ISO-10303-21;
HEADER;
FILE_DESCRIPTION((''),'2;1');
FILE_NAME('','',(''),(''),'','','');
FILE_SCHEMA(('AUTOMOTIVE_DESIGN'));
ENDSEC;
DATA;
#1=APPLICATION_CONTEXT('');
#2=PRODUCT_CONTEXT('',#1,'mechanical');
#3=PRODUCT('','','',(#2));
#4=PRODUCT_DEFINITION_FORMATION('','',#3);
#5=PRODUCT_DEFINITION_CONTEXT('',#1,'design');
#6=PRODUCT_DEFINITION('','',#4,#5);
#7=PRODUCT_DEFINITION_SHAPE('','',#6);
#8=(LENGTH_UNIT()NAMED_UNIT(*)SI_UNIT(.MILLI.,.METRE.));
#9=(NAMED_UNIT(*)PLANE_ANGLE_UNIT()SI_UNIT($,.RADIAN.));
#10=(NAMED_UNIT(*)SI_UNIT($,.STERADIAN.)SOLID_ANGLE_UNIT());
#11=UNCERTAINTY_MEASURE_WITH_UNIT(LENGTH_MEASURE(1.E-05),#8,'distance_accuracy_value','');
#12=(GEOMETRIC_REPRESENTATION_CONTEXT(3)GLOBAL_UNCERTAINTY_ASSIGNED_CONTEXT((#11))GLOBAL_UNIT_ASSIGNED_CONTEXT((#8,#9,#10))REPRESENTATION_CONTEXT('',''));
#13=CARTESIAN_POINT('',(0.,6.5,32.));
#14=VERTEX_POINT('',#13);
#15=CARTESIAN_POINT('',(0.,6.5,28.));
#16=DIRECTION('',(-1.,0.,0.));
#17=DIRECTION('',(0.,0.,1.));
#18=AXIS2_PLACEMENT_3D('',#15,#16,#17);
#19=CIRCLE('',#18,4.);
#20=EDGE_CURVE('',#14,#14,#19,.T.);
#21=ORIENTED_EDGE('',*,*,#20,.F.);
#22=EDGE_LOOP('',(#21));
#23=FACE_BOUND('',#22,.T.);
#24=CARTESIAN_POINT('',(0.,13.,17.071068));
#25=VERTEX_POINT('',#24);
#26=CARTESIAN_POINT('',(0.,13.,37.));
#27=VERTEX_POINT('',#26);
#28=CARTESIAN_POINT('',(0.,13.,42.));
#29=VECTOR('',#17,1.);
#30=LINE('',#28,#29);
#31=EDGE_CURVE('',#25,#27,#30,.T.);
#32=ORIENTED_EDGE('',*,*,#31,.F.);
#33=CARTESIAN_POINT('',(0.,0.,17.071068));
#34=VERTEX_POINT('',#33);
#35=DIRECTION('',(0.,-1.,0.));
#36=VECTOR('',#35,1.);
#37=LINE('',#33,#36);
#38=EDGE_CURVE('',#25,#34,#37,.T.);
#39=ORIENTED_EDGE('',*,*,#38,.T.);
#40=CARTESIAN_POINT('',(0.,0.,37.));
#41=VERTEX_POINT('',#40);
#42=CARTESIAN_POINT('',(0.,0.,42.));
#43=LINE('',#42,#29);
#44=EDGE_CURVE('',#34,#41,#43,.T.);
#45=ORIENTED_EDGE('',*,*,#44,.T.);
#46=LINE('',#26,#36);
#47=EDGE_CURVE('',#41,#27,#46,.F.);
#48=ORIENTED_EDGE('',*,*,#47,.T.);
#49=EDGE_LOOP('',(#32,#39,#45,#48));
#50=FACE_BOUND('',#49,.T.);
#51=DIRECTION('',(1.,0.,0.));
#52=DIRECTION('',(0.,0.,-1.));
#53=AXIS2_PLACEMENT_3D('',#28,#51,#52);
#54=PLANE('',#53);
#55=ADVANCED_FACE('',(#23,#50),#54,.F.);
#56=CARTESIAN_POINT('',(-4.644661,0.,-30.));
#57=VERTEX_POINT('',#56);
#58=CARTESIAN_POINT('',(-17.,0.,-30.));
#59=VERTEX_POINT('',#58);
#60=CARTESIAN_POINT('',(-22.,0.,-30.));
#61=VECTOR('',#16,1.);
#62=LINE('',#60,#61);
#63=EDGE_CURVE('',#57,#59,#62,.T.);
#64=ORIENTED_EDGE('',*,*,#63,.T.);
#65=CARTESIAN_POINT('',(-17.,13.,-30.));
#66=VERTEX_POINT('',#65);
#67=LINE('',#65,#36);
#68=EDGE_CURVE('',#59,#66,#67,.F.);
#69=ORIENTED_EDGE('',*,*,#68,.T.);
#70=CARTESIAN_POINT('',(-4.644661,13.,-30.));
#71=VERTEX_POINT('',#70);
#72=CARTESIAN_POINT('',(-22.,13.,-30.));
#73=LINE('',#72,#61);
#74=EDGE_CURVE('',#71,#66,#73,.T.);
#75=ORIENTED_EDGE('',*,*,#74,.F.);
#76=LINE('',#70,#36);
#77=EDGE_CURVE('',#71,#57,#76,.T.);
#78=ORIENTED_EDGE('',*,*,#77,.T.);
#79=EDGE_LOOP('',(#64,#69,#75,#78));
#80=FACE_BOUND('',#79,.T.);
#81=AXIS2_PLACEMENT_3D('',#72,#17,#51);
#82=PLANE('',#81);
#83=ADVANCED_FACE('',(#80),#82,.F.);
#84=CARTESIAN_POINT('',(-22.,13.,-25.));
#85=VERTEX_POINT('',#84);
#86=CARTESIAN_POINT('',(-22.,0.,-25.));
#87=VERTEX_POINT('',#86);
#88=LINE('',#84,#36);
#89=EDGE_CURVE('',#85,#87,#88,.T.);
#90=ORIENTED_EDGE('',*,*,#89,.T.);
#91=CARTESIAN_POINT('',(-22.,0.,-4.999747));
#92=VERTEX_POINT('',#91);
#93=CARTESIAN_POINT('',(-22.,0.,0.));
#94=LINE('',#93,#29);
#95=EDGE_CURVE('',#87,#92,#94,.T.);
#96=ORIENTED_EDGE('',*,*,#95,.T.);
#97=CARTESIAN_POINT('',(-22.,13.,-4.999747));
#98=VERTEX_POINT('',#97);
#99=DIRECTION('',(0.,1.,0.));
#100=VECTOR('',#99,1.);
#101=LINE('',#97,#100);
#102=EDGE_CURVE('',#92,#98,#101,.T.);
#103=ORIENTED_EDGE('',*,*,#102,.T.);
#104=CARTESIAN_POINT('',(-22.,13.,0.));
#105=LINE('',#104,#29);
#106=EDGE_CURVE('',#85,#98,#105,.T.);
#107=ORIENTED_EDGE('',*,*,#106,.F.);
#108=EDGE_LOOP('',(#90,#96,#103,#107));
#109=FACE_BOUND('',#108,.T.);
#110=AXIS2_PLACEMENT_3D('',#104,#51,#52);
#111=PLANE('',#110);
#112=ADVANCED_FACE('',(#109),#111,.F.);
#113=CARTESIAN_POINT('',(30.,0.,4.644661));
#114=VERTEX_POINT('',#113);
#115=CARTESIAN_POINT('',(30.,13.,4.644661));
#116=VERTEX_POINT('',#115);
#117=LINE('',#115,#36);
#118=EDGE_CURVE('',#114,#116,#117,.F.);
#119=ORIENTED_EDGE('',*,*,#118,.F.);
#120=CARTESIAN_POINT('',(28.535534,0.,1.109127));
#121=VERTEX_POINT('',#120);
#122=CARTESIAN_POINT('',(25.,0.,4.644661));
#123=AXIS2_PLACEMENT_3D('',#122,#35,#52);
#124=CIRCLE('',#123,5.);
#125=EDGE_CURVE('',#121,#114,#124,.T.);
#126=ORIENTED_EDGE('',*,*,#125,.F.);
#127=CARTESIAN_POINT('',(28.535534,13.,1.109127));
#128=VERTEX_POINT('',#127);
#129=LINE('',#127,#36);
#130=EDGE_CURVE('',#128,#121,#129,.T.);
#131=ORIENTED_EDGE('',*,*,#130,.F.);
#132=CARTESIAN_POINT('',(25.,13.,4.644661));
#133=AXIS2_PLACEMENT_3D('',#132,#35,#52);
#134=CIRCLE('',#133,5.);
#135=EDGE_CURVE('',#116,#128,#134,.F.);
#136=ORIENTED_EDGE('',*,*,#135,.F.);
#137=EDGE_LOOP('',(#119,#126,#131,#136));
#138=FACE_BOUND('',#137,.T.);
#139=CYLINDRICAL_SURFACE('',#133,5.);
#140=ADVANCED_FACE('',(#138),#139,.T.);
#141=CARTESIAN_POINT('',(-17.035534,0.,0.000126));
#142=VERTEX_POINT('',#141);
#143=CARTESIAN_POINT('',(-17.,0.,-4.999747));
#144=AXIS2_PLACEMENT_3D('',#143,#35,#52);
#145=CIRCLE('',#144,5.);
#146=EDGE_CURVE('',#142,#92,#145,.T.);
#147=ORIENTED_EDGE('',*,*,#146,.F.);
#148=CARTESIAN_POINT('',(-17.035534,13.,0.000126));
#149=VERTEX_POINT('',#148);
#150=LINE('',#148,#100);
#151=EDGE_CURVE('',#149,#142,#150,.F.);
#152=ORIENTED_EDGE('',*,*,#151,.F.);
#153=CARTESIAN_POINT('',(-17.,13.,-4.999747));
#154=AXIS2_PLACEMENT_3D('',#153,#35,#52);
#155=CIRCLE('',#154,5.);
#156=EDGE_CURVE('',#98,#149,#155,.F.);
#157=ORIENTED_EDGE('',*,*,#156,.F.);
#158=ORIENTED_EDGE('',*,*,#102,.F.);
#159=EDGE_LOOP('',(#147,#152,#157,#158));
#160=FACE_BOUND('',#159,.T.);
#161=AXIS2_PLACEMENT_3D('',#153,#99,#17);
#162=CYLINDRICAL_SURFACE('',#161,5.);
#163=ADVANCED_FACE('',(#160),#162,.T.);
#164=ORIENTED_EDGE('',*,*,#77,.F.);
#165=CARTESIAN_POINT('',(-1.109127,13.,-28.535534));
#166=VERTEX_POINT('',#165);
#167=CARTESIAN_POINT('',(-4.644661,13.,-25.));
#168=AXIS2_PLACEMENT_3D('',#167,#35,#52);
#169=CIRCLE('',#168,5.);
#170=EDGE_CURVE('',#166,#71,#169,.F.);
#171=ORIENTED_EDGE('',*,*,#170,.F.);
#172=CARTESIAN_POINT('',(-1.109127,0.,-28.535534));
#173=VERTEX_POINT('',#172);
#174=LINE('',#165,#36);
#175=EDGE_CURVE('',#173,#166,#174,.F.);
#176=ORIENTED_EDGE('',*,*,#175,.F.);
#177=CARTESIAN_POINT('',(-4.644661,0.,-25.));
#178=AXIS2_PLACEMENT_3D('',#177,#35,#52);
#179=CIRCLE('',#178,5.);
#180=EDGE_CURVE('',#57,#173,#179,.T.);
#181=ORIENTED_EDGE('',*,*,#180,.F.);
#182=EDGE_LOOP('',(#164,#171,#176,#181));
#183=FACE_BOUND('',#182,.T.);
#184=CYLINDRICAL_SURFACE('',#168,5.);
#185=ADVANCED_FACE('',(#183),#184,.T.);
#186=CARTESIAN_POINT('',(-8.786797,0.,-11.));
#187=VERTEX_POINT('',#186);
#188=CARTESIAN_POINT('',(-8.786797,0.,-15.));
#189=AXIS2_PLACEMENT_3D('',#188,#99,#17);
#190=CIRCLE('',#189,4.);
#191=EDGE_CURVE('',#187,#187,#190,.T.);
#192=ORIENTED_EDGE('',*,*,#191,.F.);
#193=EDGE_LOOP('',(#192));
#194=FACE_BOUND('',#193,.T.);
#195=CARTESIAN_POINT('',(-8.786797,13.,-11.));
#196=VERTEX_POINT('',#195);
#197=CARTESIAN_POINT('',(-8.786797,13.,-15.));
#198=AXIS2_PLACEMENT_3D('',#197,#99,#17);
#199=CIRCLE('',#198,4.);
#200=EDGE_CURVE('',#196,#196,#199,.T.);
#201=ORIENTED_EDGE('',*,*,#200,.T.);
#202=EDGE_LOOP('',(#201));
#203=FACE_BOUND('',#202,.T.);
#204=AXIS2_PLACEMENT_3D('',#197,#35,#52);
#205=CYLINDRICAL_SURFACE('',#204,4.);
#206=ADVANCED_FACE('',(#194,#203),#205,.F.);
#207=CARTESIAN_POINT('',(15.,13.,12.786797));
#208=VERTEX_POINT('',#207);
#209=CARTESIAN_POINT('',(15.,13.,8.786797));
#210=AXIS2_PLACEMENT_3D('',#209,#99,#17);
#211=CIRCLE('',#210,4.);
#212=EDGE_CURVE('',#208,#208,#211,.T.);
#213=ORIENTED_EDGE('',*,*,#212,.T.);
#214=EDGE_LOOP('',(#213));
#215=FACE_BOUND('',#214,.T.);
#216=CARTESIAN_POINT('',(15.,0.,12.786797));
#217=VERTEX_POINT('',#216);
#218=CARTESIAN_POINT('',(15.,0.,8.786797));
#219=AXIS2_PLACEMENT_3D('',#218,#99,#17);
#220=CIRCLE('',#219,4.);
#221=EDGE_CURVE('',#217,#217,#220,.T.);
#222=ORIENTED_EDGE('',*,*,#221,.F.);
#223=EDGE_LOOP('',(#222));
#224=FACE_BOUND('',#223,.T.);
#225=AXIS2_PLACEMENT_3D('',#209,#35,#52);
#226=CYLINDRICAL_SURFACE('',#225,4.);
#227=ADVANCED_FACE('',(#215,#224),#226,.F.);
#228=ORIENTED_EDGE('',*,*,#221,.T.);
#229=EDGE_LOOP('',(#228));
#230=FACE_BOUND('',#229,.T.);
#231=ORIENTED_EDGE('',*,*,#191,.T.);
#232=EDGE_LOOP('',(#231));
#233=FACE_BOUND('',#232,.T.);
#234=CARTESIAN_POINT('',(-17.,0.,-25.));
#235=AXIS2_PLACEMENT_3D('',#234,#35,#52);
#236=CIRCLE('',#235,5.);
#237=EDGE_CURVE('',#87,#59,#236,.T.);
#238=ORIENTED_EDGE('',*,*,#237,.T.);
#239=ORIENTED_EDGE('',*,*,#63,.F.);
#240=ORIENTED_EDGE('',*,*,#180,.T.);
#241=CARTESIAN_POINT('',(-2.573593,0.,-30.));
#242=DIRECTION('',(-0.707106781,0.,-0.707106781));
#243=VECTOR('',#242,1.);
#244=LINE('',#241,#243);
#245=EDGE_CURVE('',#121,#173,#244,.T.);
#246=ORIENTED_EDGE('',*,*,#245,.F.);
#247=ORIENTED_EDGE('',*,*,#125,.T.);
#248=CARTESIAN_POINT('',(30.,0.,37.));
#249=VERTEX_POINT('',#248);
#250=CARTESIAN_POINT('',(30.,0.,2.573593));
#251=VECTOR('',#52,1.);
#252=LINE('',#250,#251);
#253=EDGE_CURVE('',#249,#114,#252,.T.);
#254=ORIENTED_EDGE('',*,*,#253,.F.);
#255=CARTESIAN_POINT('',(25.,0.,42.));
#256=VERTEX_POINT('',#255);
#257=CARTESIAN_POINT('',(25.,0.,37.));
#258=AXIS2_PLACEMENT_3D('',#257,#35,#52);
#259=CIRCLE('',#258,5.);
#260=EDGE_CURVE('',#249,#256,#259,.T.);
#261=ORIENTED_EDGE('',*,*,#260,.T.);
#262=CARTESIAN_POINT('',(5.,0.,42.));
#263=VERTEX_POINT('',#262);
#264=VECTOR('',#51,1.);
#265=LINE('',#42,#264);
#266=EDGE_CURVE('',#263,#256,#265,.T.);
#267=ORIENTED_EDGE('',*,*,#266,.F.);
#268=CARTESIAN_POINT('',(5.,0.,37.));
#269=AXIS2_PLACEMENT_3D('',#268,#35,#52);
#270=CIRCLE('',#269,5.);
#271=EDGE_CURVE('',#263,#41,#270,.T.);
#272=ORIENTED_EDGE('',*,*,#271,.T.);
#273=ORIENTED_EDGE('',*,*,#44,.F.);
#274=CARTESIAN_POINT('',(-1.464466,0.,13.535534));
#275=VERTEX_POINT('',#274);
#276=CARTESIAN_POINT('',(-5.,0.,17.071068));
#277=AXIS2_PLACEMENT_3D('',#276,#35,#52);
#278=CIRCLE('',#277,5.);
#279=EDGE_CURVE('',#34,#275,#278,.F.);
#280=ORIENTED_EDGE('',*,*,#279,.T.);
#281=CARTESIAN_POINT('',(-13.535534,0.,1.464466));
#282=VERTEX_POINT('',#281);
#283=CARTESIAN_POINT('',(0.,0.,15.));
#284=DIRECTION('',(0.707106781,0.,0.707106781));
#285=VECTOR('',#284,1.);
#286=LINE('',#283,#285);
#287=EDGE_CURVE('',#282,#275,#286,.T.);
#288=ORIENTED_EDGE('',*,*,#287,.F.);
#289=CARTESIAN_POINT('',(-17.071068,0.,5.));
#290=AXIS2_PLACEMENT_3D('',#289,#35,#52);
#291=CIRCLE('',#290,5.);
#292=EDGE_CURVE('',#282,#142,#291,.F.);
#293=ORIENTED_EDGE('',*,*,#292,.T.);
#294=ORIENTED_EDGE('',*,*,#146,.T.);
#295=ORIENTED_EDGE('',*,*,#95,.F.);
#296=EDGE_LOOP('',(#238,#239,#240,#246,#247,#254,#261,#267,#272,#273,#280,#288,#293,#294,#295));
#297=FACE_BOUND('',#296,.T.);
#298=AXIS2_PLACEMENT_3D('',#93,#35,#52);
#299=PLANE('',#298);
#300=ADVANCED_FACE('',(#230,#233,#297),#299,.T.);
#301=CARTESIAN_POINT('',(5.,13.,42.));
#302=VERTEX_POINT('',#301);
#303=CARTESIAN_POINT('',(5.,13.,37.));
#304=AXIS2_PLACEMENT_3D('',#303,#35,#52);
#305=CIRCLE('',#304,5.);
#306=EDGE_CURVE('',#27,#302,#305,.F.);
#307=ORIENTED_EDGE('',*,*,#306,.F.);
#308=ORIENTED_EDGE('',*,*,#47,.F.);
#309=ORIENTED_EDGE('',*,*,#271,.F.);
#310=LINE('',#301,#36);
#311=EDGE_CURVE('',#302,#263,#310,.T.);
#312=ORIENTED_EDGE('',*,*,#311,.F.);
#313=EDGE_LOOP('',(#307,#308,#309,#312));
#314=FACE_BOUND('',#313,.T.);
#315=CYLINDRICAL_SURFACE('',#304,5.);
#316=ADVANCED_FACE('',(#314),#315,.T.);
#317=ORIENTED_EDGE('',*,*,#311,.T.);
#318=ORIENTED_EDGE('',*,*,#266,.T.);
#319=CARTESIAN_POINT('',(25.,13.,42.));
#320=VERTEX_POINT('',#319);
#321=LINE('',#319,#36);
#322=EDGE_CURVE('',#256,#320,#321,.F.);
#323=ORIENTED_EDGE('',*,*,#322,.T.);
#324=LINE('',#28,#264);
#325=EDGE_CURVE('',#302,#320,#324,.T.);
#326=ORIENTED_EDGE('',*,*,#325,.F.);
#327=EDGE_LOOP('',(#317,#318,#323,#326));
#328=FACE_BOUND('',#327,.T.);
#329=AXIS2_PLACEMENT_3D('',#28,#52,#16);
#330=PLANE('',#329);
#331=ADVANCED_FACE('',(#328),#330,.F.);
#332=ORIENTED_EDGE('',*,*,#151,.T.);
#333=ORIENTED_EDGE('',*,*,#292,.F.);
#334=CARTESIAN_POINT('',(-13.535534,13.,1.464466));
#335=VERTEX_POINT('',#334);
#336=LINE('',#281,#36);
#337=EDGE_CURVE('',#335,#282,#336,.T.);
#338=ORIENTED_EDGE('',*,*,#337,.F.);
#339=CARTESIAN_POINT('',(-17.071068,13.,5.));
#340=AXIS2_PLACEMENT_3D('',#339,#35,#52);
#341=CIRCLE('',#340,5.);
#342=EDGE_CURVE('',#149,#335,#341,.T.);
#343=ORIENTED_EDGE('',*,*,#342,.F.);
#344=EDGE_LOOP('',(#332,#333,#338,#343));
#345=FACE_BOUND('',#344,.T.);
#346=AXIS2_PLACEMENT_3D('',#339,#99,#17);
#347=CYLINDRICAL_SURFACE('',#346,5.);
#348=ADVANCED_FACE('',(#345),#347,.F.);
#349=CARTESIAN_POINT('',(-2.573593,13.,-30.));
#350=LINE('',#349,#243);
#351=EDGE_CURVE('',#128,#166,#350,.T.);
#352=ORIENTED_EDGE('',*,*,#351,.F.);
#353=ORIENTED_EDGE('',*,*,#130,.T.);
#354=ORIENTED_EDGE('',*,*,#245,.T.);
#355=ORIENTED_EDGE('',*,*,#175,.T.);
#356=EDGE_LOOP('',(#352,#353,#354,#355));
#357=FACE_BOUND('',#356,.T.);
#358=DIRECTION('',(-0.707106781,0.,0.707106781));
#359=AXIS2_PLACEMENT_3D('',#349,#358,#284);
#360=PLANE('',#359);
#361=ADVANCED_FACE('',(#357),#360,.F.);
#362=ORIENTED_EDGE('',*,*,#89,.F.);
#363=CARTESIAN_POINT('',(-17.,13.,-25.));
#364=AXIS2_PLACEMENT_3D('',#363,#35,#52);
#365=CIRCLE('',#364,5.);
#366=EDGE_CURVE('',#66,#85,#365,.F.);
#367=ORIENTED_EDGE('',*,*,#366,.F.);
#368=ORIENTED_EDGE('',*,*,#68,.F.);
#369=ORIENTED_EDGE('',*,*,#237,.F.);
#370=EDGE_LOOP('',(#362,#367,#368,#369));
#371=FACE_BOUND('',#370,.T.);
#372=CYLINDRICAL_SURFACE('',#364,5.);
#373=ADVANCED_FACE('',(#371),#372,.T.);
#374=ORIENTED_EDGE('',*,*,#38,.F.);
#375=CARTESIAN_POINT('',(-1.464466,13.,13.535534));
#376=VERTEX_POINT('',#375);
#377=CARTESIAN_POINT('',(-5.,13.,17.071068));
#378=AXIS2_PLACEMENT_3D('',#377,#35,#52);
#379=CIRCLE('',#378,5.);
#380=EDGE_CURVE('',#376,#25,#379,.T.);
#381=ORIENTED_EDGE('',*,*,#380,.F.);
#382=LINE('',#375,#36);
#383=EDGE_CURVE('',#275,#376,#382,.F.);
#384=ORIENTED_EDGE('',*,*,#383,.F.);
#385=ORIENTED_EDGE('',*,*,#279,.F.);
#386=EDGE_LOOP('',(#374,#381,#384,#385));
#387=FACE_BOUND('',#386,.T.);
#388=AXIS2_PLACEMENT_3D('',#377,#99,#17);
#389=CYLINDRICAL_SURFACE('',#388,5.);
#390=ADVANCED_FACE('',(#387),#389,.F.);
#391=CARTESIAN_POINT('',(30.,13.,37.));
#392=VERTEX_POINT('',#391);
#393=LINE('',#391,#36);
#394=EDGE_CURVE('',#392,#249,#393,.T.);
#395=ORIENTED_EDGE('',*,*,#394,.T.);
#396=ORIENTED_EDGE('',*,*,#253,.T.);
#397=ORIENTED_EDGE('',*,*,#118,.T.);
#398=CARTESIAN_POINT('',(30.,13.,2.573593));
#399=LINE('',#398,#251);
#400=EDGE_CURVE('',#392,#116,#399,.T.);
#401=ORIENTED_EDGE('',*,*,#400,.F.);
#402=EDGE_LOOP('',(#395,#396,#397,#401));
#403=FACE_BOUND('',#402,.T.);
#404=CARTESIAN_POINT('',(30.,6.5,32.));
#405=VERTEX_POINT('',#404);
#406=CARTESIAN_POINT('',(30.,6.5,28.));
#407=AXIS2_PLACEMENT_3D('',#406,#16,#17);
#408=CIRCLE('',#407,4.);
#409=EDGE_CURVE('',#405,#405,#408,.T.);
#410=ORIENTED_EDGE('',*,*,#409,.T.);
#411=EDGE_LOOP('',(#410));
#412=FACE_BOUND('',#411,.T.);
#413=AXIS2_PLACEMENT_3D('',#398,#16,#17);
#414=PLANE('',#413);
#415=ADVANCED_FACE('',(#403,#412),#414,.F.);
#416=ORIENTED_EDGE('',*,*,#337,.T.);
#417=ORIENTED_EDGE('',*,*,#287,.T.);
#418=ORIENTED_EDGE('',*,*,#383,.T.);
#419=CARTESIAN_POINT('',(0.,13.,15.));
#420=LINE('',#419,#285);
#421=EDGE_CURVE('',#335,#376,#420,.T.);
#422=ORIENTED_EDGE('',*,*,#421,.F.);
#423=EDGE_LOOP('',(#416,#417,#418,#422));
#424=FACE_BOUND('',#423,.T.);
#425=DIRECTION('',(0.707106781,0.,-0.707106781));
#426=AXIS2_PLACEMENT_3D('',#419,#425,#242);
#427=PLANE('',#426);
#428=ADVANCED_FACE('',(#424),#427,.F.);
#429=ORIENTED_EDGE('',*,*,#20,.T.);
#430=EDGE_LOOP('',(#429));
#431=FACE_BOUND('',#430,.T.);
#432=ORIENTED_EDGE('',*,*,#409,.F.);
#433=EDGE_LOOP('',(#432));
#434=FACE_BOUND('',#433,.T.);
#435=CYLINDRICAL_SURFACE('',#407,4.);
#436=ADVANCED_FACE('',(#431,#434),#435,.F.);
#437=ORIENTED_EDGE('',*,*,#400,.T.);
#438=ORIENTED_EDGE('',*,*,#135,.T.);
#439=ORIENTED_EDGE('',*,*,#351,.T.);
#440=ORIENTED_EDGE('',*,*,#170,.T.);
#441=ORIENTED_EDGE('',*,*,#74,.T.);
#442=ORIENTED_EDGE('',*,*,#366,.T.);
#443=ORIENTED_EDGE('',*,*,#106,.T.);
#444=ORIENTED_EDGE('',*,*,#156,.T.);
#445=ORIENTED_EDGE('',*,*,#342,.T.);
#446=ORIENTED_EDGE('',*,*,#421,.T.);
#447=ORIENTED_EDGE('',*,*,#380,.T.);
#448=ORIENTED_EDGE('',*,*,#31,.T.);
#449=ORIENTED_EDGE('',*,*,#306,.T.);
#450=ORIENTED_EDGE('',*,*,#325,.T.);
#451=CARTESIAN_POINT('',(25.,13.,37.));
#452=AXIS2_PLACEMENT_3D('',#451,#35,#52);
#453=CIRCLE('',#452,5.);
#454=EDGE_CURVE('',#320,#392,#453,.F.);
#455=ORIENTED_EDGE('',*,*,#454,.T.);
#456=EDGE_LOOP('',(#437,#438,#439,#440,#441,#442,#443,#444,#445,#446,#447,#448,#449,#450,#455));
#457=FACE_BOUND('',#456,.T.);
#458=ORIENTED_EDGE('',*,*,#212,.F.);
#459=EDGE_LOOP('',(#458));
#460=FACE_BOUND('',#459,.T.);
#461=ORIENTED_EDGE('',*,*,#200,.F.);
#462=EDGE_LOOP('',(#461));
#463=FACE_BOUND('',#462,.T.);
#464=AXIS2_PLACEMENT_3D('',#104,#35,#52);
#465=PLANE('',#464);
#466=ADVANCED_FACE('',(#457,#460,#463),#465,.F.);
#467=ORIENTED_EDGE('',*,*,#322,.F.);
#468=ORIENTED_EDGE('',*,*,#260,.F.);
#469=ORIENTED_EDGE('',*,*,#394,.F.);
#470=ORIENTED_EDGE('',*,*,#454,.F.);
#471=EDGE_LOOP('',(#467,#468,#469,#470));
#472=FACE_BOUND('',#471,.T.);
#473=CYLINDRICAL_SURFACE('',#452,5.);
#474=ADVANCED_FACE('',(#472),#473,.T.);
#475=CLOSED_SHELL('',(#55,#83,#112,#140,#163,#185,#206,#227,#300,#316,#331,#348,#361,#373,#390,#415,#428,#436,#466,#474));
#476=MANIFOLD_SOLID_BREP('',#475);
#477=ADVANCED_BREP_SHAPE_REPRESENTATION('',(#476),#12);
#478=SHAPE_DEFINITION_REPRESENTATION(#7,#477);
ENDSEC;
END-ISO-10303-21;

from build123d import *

# Parameters (mm, degrees)
SKETCH1_R      = 4
EXTRUDE1_DEPTH = 13
FILLET5_R      = 5
FILLET6_R      = 5
SKETCH8_R      = 4
EXTRUDE7_DEPTH = 30


with BuildPart() as part:
    # Sketch1 → Extrude1 (new body)
    with BuildSketch(Plane(origin=(0, 0, 0), x_dir=(1, 0, 0), z_dir=(0, 1, 0))):
        Polygon((0, -15), (-15, 0), (-22, 0), (-22, 30), (-2.573593129, 30), (30, -2.573593129), (30, -42), (0, -42), align=None)
        with Locations((-8.786796564, 15)):
            Circle(SKETCH1_R, mode=Mode.SUBTRACT)
        with Locations((15, -8.786796564)):
            Circle(SKETCH1_R, mode=Mode.SUBTRACT)
    extrude(amount=EXTRUDE1_DEPTH)

    # Fillet5
    fillet5_edges = [part.edges().sort_by_distance(p)[0] for p in [
        (-2.573593129, 6.5, -30),
        (30, 6.5, 2.573593129),
        (30, 6.5, 42),
        (0, 6.5, 42),
        (0, 6.5, 15),
        (-15, 6.5, 0),
    ]]
    fillet(fillet5_edges, radius=FILLET5_R)

    # Fillet6
    fillet6_edges = [part.edges().sort_by_distance(p)[0] for p in [
        (-22, 6.5, 0),
        (-22, 6.5, -30),
    ]]
    fillet(fillet6_edges, radius=FILLET6_R)

    # Sketch8 → Extrude7 (cut)
    with BuildSketch(Plane.ZY):
        with Locations((28, 6.5)):
            Circle(SKETCH8_R)
    extrude(amount=-EXTRUDE7_DEPTH, mode=Mode.SUBTRACT)


solid = part.part
